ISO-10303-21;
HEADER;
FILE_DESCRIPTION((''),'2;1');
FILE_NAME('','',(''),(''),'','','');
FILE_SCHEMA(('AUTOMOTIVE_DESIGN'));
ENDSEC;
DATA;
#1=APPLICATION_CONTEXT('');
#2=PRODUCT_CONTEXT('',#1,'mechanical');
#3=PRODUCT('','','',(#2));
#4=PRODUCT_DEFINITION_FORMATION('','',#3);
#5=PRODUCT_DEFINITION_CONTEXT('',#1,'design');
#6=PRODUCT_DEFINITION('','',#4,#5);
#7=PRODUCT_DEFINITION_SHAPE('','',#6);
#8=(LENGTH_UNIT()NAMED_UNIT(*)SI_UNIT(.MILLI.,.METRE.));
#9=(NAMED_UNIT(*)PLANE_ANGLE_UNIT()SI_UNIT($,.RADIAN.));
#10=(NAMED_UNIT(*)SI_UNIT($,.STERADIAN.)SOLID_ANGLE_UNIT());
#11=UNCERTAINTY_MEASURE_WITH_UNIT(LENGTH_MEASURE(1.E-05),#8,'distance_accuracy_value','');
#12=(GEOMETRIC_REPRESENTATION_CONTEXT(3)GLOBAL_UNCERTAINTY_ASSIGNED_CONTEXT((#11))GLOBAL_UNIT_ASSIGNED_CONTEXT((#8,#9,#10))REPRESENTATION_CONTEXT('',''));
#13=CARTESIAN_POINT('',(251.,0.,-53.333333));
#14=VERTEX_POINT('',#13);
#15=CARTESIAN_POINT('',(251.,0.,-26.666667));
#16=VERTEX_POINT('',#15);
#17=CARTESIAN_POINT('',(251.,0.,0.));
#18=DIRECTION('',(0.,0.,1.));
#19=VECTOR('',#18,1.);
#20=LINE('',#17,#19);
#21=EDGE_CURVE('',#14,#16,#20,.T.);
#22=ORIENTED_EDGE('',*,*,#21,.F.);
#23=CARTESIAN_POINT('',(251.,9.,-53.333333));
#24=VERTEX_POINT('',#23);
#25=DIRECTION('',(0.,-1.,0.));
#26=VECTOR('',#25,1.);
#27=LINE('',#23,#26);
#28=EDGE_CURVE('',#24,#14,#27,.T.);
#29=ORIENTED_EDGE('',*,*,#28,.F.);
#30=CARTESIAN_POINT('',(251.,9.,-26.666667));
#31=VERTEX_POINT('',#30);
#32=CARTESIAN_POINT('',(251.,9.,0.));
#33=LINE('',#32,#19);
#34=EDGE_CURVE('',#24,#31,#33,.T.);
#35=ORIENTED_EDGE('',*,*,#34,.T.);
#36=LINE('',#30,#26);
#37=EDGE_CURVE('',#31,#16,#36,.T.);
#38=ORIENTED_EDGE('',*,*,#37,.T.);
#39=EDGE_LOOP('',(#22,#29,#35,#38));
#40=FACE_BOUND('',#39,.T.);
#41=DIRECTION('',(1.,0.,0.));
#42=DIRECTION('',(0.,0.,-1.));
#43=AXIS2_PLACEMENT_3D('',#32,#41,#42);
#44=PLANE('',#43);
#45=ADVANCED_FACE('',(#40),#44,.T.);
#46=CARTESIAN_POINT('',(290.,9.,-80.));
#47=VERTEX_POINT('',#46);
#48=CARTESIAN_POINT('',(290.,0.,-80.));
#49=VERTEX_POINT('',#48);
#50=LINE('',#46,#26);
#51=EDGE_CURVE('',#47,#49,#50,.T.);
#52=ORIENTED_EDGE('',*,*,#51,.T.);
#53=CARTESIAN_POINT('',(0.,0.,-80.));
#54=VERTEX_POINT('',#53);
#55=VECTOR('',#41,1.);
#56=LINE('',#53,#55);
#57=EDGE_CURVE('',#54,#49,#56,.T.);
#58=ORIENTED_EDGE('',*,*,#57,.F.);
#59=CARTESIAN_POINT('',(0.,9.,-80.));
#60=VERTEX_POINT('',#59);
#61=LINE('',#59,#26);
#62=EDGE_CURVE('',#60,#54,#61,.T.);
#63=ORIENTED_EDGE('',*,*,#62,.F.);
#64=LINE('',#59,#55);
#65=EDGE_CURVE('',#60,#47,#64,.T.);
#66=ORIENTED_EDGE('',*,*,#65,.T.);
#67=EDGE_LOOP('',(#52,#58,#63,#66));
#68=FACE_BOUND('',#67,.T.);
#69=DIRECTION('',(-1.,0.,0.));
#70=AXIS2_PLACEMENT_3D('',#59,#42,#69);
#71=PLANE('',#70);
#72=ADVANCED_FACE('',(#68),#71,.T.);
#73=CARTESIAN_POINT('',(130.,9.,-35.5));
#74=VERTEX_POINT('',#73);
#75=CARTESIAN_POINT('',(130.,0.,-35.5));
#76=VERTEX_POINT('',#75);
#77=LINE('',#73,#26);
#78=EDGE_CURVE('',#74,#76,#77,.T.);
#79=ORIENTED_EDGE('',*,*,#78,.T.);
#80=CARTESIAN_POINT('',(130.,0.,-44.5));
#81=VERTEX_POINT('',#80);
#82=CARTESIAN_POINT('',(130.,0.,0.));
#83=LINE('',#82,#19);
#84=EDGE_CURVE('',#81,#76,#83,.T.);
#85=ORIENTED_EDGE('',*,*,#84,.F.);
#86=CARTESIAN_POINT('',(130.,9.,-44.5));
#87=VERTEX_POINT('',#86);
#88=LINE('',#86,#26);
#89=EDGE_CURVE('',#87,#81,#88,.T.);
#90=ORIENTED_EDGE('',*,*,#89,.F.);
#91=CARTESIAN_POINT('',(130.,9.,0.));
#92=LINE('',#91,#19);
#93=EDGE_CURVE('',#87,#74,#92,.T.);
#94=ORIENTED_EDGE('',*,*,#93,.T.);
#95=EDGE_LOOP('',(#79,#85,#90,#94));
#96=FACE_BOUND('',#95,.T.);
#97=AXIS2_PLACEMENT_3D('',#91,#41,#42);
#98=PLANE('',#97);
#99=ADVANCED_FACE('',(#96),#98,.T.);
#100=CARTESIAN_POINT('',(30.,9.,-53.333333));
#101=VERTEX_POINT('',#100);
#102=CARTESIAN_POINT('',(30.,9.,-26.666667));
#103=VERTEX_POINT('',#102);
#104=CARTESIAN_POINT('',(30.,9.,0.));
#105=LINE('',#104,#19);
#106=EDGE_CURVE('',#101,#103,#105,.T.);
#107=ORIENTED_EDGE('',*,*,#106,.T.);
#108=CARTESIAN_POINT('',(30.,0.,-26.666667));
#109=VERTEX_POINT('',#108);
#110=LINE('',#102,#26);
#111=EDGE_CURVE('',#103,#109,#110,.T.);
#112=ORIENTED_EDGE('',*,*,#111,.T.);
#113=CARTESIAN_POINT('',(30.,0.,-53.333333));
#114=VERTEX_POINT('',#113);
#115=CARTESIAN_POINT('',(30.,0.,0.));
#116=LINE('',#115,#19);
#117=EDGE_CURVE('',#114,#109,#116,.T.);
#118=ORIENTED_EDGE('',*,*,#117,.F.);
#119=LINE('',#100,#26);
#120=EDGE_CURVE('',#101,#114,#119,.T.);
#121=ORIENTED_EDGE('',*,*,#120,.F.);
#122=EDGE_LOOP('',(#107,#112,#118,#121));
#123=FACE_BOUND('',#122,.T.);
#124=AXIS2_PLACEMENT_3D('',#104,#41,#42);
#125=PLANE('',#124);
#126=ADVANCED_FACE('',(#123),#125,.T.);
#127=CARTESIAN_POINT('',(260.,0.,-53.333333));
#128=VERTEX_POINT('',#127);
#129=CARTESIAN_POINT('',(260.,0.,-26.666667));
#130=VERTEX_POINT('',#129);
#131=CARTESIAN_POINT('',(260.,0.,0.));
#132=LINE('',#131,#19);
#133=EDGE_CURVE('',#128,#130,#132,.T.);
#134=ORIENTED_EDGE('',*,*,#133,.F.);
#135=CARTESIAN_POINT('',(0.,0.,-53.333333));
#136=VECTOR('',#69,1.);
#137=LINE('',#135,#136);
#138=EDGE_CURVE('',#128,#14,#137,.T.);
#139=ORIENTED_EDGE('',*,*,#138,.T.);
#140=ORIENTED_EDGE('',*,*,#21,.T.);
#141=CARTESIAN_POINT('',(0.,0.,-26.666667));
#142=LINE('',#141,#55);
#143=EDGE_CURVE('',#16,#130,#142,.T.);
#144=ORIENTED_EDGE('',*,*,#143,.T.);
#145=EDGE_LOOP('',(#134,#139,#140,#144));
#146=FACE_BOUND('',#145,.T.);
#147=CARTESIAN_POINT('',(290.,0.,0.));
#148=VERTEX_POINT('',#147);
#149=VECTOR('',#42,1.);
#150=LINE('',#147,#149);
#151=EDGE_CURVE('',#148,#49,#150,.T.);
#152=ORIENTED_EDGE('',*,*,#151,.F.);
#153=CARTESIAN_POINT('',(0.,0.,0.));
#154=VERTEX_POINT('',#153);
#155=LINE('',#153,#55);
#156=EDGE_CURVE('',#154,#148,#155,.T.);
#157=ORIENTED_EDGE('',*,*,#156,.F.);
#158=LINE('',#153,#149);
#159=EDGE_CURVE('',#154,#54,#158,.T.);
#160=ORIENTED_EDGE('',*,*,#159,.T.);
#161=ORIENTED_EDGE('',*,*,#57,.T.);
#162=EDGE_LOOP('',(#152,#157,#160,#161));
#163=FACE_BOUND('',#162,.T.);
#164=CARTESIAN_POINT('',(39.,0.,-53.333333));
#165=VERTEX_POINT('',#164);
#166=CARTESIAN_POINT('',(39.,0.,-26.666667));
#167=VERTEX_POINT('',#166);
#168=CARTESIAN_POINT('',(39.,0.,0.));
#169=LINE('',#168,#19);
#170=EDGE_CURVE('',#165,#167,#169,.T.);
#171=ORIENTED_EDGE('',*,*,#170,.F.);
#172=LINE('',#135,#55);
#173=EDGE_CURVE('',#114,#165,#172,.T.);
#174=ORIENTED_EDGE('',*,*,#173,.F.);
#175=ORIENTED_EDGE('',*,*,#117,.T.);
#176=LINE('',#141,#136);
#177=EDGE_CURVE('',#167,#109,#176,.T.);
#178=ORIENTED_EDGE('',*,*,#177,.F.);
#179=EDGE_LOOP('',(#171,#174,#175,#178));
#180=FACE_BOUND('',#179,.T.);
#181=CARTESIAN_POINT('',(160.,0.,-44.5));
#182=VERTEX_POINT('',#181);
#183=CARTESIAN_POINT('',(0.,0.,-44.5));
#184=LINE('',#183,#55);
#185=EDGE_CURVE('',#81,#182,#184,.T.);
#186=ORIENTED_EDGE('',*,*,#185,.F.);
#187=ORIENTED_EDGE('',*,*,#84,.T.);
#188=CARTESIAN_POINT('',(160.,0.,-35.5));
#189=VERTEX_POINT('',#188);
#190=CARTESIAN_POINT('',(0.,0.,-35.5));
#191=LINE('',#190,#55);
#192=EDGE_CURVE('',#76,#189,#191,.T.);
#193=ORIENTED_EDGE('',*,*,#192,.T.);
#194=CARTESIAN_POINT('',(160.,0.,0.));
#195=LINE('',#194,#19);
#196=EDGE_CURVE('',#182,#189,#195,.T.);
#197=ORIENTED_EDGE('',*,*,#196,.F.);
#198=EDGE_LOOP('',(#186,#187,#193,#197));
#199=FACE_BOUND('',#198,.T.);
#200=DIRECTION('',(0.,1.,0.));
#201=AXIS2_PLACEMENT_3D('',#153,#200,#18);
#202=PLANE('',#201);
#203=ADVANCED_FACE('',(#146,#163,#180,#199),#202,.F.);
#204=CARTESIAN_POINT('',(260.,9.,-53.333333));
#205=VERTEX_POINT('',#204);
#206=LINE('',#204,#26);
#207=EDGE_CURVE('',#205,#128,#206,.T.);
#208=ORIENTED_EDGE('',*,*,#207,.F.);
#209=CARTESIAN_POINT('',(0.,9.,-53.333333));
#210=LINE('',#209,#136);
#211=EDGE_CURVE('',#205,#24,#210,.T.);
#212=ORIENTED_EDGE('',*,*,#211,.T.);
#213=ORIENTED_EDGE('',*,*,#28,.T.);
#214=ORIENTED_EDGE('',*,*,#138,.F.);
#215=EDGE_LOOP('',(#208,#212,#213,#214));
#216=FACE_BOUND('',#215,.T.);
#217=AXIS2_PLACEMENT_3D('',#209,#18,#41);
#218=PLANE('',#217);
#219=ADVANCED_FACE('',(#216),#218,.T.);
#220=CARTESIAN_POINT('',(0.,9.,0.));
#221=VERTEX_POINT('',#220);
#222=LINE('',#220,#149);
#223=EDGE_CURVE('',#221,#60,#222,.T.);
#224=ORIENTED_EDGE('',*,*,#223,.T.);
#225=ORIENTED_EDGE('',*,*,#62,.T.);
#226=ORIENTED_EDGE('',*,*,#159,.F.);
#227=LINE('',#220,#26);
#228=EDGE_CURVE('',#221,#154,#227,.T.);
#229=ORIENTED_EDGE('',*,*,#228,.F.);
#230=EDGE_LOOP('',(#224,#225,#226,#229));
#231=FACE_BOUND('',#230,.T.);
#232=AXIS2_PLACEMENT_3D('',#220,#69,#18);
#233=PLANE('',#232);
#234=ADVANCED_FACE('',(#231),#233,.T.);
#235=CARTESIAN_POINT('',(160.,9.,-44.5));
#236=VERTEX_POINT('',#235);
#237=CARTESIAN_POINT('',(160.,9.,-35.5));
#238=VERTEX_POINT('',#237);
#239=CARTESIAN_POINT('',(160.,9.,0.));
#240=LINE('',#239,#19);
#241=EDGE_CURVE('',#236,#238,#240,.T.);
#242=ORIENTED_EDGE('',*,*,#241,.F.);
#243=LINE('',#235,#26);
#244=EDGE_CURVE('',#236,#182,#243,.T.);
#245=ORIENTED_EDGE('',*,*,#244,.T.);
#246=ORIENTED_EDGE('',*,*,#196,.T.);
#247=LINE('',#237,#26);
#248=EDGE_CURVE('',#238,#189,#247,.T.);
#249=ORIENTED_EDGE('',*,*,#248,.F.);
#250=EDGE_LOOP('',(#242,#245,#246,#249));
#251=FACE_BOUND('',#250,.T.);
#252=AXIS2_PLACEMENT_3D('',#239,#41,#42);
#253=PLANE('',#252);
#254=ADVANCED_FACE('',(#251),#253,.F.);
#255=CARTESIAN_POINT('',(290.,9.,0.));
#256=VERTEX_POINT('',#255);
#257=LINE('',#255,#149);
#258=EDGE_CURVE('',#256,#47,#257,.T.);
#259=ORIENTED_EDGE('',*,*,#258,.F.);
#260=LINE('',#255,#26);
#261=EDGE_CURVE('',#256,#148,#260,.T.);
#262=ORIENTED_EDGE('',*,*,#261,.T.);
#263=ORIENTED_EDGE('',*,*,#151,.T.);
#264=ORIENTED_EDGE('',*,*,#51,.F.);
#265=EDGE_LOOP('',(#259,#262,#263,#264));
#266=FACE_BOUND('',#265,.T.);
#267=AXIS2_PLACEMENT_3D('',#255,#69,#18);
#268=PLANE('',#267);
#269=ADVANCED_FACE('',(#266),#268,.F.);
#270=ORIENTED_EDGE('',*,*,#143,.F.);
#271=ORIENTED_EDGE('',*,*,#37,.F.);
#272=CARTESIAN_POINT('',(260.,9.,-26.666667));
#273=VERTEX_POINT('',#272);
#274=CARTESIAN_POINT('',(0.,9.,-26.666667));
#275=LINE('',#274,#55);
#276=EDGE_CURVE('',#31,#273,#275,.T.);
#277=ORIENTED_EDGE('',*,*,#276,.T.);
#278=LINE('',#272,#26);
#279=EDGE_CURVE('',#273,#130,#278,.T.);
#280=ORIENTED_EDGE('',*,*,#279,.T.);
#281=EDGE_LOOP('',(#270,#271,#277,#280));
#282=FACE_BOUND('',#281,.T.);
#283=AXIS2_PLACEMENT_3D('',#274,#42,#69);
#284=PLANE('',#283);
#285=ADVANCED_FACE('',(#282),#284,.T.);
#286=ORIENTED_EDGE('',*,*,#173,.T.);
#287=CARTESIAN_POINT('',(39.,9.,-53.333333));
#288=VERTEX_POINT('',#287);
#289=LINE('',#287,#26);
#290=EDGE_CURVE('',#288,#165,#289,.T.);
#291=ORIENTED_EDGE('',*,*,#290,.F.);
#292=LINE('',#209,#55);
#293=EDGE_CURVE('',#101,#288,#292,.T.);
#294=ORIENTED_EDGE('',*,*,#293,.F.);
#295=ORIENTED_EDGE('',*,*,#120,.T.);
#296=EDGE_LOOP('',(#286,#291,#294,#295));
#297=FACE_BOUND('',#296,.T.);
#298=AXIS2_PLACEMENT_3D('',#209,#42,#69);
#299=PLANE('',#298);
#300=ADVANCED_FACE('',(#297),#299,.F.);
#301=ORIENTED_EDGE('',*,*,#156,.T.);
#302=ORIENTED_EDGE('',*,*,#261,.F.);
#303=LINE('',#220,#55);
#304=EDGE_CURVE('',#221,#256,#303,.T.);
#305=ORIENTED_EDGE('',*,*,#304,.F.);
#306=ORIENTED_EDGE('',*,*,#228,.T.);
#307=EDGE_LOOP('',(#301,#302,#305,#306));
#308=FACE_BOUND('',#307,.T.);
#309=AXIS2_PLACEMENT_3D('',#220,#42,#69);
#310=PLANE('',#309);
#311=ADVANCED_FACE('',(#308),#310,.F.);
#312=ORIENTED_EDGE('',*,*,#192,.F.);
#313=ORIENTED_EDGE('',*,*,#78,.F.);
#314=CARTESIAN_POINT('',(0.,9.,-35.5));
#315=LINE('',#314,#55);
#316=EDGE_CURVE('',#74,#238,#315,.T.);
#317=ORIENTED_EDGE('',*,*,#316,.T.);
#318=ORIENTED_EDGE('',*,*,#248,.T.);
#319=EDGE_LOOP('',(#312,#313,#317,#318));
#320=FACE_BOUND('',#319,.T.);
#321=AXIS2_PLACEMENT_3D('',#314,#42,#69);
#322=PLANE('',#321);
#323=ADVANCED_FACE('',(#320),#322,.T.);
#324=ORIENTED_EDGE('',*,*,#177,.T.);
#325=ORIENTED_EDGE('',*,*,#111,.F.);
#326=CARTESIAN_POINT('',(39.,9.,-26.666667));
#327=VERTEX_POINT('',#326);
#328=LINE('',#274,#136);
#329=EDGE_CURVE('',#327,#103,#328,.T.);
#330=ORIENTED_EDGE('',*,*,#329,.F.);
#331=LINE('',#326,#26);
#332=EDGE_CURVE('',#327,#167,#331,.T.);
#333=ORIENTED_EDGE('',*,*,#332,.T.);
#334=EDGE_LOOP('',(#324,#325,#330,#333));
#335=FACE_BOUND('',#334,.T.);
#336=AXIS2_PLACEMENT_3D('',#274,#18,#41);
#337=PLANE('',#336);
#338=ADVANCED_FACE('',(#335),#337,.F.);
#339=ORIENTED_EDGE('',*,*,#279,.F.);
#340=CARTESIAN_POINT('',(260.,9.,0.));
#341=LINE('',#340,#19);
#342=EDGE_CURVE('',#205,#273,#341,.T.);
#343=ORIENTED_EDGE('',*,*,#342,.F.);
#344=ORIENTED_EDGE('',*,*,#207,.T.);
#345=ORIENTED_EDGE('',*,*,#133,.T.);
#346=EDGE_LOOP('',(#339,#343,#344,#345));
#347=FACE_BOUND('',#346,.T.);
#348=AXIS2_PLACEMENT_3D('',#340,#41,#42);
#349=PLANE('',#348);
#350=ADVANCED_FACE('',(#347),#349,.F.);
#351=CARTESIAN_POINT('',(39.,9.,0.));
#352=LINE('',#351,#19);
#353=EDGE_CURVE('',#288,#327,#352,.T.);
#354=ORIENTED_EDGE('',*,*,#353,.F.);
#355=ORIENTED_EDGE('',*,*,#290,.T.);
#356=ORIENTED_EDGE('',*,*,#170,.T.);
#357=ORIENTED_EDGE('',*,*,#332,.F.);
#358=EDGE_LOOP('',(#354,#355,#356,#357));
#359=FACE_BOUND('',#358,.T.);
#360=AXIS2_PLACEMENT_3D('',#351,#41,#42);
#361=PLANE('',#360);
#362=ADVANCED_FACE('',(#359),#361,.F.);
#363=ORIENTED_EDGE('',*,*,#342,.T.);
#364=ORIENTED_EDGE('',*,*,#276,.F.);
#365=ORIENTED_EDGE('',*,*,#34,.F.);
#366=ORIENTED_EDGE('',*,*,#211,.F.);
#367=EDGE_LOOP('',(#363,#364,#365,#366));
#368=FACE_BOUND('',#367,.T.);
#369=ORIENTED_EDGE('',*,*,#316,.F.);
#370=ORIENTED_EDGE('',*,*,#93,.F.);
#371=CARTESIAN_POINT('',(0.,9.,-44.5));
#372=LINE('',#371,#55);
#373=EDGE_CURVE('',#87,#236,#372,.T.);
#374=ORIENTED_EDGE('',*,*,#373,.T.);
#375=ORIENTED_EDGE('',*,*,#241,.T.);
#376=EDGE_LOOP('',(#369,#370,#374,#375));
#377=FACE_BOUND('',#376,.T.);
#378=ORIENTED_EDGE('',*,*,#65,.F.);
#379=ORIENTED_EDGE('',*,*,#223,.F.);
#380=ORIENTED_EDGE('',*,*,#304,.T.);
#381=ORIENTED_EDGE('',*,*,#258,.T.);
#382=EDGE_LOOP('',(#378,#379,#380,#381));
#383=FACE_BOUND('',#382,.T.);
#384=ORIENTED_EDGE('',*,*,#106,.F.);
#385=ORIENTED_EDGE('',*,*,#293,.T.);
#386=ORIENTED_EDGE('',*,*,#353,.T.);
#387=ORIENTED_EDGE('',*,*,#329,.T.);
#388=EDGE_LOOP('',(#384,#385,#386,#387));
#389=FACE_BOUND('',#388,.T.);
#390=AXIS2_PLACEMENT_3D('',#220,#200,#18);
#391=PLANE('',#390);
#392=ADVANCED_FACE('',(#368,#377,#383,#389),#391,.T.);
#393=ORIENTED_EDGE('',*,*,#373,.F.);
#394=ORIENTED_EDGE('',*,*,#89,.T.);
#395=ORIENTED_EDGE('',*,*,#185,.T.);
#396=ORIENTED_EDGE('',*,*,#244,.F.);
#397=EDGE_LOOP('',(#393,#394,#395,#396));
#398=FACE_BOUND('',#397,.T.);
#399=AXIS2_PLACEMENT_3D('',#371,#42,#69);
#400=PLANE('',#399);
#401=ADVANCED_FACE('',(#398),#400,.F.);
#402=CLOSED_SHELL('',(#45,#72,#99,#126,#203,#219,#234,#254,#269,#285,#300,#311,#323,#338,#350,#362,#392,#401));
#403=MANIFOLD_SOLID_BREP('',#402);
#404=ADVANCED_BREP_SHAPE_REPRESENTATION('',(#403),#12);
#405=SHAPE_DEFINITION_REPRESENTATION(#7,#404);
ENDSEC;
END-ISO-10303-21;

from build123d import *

# Parameters (mm, degrees)
SKETCH1_W           = 30
SKETCH1_H           = 9
SKETCH1_W_2         = 9
SKETCH1_H_2         = 26.666666667
BOSS_EXTRUDE1_DEPTH = 9


with BuildPart() as part:
    # Sketch1 → Boss-Extrude1 (new body)
    # profile 1 of 7: a face of its own
    with BuildSketch(Plane(origin=(0, 0, 0), x_dir=(1, 0, 0), z_dir=(0, 1, 0))):
        Polygon((39, 26.666666667), (39, 0), (251, 0), (251, 26.666666667), (251, 53.333333333), (251, 80), (39, 80), (39, 53.333333333), align=None)
        with Locations((145, 40)):
            Rectangle(SKETCH1_W, SKETCH1_H, mode=Mode.SUBTRACT)
    # profile 2 of 7: a face of its own
    with BuildSketch(Plane(origin=(0, 0, 0), x_dir=(1, 0, 0), z_dir=(0, 1, 0))):
        with Locations((34.5, 66.666666667)):
            Rectangle(SKETCH1_W_2, SKETCH1_H_2)
    # profile 3 of 7: a face of its own
    with BuildSketch(Plane(origin=(0, 0, 0), x_dir=(1, 0, 0), z_dir=(0, 1, 0))):
        with Locations((34.5, 13.333333334)):
            Rectangle(SKETCH1_W_2, SKETCH1_H_2)
    # profile 4 of 7: a face of its own
    with BuildSketch(Plane(origin=(0, 0, 0), x_dir=(1, 0, 0), z_dir=(0, 1, 0))):
        Polygon((0, 80), (0, 0), (30, 0), (30, 26.666666667), (30, 53.333333333), (30, 80), align=None)
    # profile 5 of 7: a face of its own
    with BuildSketch(Plane(origin=(0, 0, 0), x_dir=(1, 0, 0), z_dir=(0, 1, 0))):
        Polygon((260, 26.666666667), (260, 0), (290, 0), (290, 80), (260, 80), (260, 53.333333333), align=None)
    # profile 6 of 7: a face of its own
    with BuildSketch(Plane(origin=(0, 0, 0), x_dir=(1, 0, 0), z_dir=(0, 1, 0))):
        with Locations((255.5, 13.333333334)):
            Rectangle(SKETCH1_W_2, SKETCH1_H_2)
    # profile 7 of 7: a face of its own
    with BuildSketch(Plane(origin=(0, 0, 0), x_dir=(1, 0, 0), z_dir=(0, 1, 0))):
        with Locations((255.5, 66.666666667)):
            Rectangle(SKETCH1_W_2, SKETCH1_H_2)
    extrude(amount=BOSS_EXTRUDE1_DEPTH)


solid = part.part
